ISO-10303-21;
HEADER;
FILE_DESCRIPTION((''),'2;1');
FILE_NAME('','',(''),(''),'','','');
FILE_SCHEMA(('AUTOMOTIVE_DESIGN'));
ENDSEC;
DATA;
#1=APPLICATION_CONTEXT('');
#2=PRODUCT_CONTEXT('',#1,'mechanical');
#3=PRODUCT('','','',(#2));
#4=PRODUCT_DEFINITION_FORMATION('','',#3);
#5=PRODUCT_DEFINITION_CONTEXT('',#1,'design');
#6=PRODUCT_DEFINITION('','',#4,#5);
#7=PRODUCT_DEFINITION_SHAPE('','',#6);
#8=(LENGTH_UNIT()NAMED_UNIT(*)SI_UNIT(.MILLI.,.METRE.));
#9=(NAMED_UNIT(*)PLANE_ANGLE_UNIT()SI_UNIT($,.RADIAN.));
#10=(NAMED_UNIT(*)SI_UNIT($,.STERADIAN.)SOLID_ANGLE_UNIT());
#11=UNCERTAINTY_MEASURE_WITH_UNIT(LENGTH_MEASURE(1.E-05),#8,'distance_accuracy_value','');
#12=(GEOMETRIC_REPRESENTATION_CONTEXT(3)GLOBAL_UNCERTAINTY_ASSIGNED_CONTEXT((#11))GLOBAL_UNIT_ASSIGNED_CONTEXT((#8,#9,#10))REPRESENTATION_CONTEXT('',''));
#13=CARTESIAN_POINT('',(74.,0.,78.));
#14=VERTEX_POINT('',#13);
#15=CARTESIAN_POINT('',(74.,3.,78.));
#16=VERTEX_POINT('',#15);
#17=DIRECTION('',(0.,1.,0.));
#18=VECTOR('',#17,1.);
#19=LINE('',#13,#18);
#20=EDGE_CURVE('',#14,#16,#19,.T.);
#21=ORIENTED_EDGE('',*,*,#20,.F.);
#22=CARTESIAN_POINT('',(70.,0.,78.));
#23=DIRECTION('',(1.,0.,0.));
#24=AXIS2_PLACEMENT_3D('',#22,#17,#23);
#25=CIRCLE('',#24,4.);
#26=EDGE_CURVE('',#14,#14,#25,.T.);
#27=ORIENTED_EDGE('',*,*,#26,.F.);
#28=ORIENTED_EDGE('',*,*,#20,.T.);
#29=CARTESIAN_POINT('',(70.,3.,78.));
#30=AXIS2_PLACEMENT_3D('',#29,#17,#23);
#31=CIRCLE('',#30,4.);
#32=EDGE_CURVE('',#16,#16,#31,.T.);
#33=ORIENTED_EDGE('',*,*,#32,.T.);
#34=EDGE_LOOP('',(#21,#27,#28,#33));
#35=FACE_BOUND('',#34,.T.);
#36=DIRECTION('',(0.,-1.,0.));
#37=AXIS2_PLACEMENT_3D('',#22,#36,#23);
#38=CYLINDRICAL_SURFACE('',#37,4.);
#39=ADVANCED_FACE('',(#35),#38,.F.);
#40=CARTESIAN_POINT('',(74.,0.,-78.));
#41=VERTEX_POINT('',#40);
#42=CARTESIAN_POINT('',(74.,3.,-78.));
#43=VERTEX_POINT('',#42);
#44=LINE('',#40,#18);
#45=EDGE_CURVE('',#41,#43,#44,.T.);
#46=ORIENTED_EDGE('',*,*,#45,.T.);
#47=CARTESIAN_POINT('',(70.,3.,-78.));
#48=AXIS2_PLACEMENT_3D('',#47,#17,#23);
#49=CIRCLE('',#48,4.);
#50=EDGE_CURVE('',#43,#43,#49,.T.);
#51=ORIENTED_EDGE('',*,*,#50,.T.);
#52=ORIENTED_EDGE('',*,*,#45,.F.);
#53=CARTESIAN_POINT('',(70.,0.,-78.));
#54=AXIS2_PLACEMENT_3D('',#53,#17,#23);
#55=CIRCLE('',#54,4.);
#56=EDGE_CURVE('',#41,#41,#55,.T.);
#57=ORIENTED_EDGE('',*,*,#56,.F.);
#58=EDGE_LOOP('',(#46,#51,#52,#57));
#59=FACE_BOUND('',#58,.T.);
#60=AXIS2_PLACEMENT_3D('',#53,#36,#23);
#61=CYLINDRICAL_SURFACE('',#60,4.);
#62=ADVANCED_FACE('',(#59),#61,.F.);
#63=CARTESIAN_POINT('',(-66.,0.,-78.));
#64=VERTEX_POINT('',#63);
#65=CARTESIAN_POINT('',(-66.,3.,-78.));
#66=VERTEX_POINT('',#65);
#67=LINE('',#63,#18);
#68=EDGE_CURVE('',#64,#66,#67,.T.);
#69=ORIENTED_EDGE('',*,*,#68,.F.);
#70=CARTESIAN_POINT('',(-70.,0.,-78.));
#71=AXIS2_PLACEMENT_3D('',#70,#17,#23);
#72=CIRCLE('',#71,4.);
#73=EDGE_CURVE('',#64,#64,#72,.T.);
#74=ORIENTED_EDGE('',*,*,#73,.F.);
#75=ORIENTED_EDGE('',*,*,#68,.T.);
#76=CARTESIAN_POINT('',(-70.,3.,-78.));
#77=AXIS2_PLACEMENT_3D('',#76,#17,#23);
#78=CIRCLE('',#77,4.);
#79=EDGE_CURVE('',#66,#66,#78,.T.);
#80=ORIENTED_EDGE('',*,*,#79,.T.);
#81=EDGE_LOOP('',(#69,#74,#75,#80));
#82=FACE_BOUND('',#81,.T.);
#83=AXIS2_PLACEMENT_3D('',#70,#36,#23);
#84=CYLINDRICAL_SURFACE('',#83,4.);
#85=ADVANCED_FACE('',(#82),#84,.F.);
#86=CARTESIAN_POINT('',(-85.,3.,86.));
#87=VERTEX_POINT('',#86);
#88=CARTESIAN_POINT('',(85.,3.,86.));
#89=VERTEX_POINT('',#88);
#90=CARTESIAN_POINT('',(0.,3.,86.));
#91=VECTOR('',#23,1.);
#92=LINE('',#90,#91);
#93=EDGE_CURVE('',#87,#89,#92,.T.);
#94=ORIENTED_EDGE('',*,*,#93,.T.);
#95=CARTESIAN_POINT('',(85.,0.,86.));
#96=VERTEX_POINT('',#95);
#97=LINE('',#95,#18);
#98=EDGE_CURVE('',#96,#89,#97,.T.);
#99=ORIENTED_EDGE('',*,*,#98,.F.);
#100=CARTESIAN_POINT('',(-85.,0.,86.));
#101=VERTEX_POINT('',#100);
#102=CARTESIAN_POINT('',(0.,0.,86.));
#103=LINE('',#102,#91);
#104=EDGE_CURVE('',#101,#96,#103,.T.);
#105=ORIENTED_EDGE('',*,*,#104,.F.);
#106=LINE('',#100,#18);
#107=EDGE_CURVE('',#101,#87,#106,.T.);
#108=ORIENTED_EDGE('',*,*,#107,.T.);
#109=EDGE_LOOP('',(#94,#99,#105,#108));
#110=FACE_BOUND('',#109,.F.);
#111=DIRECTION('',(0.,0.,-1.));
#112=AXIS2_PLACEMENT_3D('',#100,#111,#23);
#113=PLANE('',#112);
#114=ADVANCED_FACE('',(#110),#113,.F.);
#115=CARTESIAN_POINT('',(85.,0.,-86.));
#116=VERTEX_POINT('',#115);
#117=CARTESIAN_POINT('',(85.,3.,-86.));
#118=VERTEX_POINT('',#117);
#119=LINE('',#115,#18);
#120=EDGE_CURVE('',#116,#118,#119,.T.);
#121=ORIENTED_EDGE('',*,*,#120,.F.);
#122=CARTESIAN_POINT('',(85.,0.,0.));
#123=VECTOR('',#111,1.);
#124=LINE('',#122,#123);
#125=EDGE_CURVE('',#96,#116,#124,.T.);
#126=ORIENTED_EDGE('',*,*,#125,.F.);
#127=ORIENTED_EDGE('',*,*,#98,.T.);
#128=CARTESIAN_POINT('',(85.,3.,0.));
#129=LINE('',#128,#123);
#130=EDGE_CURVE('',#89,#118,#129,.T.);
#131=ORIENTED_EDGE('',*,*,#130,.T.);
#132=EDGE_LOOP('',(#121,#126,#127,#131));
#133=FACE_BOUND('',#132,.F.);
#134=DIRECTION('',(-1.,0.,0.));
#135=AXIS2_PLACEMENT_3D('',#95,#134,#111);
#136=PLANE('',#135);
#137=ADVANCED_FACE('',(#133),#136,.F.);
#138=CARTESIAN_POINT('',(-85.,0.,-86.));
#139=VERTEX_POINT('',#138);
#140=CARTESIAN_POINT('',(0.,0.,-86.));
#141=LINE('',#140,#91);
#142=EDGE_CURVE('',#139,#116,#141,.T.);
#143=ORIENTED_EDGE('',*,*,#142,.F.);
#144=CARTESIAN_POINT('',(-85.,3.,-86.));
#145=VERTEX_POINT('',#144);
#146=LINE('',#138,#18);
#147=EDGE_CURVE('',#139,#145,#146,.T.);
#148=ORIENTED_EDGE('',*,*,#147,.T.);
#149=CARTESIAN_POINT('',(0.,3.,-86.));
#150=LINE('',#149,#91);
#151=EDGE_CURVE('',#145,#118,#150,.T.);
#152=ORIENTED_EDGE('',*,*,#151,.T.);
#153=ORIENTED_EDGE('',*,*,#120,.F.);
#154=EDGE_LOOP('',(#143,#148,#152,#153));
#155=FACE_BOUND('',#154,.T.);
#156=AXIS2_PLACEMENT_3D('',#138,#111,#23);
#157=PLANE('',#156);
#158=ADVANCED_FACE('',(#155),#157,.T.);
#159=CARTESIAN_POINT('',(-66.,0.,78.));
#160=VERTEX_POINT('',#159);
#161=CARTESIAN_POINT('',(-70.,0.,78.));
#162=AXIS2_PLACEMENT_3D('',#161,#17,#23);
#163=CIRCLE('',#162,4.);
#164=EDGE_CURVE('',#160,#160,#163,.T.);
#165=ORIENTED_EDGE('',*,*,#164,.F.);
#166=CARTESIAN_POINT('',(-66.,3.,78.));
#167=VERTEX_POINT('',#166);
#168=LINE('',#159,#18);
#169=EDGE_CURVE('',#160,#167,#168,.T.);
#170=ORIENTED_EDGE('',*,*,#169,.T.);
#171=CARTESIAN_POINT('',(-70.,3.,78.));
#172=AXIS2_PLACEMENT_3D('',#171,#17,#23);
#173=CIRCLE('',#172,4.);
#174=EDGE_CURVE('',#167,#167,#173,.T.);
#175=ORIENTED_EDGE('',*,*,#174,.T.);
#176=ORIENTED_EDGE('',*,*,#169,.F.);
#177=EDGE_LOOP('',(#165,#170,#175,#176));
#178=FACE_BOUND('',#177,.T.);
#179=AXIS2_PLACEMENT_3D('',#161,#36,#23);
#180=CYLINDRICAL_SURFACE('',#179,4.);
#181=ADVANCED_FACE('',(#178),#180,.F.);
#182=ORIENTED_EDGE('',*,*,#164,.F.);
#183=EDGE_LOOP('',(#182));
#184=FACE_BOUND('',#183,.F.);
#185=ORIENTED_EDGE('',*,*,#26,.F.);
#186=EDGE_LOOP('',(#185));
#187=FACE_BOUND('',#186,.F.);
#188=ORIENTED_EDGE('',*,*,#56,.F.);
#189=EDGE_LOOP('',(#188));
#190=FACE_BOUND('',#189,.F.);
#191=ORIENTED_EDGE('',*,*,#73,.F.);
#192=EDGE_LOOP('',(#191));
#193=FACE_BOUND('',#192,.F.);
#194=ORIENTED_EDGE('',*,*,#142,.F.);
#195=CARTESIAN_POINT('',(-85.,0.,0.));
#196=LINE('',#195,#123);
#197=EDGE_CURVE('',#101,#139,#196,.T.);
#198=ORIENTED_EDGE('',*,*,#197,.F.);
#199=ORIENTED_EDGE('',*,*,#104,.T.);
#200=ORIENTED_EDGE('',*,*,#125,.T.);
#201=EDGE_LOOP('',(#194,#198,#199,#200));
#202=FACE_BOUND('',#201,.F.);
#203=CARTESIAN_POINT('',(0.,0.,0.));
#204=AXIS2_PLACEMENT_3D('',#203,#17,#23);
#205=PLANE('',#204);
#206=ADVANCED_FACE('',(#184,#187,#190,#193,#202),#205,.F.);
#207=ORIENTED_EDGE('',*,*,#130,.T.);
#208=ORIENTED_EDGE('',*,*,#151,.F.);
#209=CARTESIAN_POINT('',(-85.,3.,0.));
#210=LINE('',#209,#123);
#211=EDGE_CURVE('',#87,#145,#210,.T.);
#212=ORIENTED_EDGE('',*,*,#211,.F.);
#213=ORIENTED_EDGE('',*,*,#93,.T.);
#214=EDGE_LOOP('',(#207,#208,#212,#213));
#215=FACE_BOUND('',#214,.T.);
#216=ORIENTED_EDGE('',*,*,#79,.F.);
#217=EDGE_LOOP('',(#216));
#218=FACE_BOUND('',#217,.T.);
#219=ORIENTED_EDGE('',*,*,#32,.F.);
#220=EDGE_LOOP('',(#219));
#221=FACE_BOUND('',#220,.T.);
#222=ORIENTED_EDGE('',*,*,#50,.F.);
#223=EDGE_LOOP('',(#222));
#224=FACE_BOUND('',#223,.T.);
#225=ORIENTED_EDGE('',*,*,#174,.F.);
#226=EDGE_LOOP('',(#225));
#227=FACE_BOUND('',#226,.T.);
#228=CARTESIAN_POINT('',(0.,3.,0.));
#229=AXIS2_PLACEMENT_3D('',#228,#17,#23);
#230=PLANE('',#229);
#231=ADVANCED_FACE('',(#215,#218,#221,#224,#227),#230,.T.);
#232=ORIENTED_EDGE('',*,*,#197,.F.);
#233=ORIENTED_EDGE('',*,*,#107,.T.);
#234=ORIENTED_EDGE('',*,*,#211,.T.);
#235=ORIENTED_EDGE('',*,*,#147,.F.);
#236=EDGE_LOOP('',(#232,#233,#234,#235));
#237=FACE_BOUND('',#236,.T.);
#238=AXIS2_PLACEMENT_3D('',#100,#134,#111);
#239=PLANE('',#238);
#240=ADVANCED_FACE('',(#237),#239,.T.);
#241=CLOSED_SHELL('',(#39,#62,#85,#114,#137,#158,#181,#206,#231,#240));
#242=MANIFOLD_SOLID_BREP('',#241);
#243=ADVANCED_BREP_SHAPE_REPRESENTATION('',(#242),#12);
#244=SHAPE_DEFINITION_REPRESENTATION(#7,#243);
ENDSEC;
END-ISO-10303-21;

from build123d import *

# Parameters (mm, degrees)
SKETCH1_W           = 170
SKETCH1_H           = 172
SKETCH1_R           = 4
BOSS_EXTRUDE1_DEPTH = 3


with BuildPart() as part:
    # Sketch1 → Boss-Extrude1 (new body)
    with BuildSketch(Plane(origin=(0, 0, 0), x_dir=(1, 0, 0), z_dir=(0, 1, 0))):
        Rectangle(SKETCH1_W, SKETCH1_H)
        with Locations((-70, 78)):
            Circle(SKETCH1_R, mode=Mode.SUBTRACT)
        with Locations((70, 78)):
            Circle(SKETCH1_R, mode=Mode.SUBTRACT)
        with Locations((70, -78)):
            Circle(SKETCH1_R, mode=Mode.SUBTRACT)
        with Locations((-70, -78)):
            Circle(SKETCH1_R, mode=Mode.SUBTRACT)
    extrude(amount=BOSS_EXTRUDE1_DEPTH)


solid = part.part
